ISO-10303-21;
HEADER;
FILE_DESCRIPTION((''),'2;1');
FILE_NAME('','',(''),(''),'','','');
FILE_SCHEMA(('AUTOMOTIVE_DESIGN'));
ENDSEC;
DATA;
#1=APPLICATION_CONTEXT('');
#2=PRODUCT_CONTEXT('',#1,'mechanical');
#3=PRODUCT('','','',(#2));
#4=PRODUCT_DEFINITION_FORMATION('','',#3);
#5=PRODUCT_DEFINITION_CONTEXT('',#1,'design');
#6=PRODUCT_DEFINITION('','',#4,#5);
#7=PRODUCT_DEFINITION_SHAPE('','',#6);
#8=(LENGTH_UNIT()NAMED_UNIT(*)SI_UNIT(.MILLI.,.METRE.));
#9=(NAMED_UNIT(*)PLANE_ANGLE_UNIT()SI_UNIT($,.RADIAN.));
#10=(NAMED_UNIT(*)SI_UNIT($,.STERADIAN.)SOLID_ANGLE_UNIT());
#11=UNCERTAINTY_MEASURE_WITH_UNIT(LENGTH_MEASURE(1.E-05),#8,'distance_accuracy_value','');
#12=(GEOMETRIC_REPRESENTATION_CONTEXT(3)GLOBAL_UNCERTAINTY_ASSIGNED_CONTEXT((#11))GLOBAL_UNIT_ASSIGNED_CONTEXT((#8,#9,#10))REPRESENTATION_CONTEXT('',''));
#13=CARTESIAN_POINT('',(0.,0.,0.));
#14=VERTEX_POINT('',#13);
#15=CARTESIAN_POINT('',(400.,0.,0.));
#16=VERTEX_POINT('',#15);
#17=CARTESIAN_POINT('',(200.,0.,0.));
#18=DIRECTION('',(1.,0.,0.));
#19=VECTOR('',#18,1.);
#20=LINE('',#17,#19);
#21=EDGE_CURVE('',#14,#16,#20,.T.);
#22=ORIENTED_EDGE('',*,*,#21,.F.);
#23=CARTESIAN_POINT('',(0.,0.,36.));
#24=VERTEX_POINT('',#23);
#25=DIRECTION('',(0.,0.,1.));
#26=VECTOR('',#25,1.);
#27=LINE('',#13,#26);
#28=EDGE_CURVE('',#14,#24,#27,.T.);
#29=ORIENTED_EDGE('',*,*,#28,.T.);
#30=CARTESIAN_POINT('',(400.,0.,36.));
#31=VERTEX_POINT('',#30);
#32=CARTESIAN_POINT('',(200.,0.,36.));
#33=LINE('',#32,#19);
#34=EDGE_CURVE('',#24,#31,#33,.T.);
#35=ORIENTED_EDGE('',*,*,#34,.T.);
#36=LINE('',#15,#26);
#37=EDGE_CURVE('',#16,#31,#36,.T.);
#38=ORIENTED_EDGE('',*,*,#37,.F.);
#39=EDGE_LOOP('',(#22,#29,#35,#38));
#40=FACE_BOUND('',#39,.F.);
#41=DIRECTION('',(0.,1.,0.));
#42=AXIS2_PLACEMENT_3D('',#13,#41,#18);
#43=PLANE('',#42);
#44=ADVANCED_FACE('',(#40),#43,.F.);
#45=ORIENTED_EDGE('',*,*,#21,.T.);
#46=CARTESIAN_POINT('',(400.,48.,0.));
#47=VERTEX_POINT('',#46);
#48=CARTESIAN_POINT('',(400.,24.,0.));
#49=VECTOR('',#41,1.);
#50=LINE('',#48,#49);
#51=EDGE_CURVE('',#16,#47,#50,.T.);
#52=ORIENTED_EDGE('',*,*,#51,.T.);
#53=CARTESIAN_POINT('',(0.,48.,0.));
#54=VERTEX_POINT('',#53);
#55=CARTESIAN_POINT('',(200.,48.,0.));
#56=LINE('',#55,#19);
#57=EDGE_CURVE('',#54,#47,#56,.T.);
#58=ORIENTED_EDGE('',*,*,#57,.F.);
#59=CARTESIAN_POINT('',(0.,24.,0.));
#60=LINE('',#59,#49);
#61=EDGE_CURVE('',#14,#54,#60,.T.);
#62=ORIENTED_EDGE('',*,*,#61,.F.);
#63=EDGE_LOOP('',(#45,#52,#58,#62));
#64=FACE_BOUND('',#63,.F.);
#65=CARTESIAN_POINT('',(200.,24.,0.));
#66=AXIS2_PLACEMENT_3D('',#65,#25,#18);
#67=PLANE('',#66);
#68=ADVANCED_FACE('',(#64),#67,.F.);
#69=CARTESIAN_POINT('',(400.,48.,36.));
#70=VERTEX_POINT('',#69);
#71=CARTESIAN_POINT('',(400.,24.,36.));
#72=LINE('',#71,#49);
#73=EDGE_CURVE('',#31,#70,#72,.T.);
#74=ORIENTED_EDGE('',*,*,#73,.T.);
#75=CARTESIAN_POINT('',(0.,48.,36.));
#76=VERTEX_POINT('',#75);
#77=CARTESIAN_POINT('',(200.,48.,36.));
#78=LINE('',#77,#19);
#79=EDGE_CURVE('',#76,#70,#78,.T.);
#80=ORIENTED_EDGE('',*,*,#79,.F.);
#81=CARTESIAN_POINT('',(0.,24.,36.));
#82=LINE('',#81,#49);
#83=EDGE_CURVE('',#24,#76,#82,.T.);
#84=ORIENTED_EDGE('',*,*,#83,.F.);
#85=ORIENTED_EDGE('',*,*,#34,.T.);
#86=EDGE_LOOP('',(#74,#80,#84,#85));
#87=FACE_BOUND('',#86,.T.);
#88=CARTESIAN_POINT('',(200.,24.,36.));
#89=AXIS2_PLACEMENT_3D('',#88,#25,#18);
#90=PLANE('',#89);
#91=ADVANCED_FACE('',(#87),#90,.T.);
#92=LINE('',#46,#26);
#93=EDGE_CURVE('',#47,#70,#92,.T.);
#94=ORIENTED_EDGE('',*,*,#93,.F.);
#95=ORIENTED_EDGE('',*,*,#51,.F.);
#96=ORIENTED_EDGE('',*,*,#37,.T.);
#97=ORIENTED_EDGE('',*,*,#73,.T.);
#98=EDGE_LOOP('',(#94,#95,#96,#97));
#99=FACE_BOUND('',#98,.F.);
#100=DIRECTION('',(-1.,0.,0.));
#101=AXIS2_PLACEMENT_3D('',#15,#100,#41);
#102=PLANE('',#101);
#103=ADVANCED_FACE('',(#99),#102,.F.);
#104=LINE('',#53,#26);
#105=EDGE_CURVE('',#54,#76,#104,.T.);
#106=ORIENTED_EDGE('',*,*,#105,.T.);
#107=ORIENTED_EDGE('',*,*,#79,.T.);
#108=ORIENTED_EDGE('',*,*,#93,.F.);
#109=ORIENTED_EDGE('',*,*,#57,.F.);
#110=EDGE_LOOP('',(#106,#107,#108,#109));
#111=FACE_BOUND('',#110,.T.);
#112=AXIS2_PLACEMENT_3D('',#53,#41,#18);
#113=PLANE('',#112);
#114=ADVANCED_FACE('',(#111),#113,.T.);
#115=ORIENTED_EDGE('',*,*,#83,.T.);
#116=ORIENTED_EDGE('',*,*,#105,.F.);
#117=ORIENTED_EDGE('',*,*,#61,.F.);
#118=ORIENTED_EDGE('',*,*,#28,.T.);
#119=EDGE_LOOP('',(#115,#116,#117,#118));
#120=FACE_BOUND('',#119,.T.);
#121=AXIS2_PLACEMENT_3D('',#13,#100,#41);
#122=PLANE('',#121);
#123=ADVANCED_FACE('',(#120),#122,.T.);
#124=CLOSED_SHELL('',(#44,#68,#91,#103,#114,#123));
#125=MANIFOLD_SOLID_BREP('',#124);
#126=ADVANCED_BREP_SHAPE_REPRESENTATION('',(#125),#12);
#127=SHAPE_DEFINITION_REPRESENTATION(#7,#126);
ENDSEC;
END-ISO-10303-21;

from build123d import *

# Parameters (mm, degrees)
BOX001_W     = 400
BOX001_H     = 48
BOX001_DEPTH = 36


with BuildPart() as part:
    # Box001 → Box001 (new body)
    with BuildSketch(Plane.XY):
        with Locations((200, 24)):
            Rectangle(BOX001_W, BOX001_H)
    extrude(amount=BOX001_DEPTH)


solid = part.part
